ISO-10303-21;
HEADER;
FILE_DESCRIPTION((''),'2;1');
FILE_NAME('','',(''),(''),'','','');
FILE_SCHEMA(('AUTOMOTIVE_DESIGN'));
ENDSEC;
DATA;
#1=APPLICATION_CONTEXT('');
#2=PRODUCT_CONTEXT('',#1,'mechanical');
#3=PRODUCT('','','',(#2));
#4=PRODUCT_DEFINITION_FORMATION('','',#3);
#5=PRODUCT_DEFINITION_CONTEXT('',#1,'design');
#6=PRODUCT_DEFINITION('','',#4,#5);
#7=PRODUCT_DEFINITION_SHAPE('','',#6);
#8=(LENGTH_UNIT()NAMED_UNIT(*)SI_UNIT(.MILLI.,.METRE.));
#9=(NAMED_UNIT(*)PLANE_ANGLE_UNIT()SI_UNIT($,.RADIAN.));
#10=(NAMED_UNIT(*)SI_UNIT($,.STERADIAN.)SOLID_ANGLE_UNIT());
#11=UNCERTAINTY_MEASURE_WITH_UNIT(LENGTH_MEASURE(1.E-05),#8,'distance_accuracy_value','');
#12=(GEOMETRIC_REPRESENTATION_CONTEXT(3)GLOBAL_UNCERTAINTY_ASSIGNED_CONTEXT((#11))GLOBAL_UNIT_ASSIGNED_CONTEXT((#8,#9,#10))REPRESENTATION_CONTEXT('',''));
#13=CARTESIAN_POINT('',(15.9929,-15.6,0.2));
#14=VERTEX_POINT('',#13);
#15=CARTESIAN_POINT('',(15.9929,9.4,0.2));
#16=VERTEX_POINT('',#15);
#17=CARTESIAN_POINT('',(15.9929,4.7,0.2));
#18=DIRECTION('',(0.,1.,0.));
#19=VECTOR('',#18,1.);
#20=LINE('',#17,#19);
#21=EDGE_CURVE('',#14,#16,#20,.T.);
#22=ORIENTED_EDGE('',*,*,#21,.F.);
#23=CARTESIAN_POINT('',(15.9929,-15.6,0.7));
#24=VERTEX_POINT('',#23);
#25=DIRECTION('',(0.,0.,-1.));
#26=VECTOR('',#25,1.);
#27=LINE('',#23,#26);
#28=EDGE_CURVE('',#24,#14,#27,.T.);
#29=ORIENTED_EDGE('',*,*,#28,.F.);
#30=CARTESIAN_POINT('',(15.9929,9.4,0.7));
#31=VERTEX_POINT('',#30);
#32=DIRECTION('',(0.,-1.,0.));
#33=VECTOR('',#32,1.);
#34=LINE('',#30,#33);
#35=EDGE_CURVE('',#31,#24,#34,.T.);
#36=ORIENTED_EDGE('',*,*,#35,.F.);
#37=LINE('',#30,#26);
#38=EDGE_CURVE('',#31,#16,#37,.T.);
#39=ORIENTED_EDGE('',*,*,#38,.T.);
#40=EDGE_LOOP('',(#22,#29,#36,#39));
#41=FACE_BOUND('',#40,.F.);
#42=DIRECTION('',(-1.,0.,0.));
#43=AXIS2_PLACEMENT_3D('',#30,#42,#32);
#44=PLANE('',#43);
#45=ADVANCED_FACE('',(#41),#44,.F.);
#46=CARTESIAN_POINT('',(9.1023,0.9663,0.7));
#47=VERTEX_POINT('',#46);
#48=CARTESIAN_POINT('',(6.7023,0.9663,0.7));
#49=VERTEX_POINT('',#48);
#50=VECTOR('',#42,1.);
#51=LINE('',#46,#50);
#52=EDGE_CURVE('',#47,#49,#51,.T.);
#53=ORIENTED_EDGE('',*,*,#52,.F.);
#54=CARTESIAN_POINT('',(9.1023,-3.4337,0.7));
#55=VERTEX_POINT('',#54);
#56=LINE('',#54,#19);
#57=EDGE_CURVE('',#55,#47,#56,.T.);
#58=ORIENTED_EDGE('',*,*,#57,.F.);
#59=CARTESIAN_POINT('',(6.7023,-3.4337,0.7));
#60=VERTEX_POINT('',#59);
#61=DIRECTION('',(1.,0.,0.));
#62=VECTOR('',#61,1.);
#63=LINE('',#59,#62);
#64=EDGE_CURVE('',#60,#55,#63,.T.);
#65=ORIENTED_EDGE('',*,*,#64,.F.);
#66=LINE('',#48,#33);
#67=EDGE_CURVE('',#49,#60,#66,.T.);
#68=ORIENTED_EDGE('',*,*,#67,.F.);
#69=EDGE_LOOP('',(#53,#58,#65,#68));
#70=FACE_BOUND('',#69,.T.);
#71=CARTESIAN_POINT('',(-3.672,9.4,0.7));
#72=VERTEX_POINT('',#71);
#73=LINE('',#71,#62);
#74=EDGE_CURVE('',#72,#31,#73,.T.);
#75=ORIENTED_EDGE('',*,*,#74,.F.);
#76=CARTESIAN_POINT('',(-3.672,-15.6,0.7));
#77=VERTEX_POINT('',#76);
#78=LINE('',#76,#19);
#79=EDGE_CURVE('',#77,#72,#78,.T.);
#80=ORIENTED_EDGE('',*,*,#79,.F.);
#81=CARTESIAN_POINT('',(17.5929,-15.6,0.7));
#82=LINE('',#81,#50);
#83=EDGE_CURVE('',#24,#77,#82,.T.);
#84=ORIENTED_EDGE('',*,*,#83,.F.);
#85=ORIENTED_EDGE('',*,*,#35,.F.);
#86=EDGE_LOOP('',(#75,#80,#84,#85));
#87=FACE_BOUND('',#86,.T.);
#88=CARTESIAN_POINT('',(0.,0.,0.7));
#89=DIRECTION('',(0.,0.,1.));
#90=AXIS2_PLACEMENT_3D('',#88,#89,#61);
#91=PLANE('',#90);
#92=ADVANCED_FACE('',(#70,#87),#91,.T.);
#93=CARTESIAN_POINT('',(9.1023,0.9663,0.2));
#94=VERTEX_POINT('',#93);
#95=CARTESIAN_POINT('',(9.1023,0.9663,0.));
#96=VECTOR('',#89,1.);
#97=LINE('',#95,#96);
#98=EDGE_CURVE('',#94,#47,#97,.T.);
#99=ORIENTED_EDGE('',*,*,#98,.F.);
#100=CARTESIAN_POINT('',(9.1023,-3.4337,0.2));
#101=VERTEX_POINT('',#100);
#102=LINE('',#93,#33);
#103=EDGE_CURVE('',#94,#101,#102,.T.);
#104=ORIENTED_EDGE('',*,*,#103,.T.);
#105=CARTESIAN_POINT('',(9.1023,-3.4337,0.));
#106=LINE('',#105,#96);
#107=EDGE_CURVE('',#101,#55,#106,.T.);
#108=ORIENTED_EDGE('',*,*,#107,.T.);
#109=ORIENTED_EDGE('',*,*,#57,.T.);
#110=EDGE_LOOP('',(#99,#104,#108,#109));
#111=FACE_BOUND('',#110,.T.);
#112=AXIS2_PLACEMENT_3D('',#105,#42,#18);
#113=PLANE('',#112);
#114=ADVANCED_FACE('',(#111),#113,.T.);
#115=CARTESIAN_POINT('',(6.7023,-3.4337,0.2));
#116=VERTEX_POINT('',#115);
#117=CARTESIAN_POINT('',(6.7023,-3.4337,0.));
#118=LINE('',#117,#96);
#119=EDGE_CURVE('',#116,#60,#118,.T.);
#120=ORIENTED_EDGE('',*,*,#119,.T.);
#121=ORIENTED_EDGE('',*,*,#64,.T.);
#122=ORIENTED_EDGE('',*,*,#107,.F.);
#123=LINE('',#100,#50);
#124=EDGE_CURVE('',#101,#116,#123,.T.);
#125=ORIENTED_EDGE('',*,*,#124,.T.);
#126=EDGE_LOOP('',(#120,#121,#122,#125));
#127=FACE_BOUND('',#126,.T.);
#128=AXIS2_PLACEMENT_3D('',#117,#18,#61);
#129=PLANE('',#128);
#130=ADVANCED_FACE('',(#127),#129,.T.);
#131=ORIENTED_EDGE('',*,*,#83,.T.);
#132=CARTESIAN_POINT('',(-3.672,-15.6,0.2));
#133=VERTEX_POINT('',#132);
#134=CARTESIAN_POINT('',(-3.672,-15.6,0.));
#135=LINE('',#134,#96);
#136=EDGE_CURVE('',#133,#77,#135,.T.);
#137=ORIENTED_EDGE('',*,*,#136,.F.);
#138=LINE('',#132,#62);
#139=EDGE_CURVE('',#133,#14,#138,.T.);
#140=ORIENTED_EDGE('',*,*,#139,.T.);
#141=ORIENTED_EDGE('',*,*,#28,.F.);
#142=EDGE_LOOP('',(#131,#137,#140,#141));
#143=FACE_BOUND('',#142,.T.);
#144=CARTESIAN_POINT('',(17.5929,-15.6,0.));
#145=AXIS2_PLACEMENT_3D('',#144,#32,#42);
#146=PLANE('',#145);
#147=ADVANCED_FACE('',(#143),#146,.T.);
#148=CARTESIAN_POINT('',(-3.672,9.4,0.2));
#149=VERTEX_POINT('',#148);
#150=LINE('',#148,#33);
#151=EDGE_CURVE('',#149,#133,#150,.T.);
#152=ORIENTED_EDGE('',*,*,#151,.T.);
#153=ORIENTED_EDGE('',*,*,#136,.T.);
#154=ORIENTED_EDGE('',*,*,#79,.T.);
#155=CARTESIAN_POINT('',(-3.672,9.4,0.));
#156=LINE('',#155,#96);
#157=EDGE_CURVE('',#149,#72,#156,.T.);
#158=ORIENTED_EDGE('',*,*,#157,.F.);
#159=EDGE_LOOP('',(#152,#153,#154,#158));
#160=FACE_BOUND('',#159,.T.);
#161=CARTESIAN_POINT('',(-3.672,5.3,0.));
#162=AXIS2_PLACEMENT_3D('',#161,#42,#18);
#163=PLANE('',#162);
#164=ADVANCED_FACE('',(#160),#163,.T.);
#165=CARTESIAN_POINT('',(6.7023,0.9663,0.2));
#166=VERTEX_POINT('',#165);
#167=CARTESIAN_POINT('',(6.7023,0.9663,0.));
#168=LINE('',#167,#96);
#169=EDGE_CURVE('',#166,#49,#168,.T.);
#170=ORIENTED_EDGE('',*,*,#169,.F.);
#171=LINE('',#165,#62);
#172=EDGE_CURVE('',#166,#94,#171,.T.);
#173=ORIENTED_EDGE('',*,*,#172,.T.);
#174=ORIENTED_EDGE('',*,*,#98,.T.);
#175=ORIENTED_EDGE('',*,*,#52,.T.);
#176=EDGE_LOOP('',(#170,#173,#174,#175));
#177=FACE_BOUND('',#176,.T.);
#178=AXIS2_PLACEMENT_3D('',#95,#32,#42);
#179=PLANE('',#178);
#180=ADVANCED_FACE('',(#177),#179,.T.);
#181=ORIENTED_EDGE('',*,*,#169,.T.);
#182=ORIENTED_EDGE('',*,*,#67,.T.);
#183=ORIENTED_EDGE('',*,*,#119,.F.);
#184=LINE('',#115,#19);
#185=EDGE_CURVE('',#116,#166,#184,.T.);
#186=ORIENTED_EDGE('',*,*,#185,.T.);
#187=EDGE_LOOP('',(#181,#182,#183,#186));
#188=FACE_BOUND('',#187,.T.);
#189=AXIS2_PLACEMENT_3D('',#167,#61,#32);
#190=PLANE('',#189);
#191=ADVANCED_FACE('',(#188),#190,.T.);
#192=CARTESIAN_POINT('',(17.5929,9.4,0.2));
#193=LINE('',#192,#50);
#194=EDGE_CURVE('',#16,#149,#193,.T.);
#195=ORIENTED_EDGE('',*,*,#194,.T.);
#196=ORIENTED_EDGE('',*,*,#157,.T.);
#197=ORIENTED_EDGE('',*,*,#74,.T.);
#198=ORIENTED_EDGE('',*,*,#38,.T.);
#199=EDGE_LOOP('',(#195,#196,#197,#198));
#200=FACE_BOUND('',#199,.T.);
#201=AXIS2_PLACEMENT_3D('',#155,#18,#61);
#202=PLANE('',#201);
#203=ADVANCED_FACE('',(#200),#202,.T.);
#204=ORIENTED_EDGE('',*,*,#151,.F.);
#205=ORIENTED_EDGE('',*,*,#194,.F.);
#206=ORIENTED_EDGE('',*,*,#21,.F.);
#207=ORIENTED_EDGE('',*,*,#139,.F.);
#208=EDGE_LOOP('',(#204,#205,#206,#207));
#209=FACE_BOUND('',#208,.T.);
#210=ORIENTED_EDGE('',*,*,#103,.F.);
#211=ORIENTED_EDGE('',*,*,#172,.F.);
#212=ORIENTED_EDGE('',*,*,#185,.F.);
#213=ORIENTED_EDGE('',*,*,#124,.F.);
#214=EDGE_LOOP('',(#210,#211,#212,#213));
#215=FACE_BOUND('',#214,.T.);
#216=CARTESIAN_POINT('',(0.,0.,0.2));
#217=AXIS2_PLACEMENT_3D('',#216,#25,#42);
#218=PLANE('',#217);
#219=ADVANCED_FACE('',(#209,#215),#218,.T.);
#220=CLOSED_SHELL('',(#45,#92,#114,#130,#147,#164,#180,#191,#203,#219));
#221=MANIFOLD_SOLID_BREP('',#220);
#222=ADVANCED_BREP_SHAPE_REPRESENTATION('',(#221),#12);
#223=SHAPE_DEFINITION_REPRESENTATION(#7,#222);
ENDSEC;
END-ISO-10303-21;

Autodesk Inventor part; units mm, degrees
ref_plane "YZ Plane" through (0, 0, 0) normal (1, 0, 0) x (0, 1, 0)
ref_plane "XZ Plane" through (0, 0, 0) normal (0, 1, 0) x (-1, 0, 0)
ref_plane "XY Plane" through (0, 0, 0) normal (0, 0, 1) x (1, 0, 0)
sketch "Sketch1" plane through (0, 0, 0) normal (0, 0, 1) x (1, 0, 0)
  line L0 (9.1023, -3.4337) -> (9.1023, 0.9663) projected
  line L1 (6.7023, -3.4337) -> (9.1023, -3.4337) projected
  line L2 (6.7023, 0.9663) -> (6.7023, -3.4337) projected
  line L3 (9.1023, 0.9663) -> (6.7023, 0.9663) projected
  line L4 (-3.672, 5.3) -> (-3.672, 9.4)
  line L5 (17.5929, 9.4) -> (17.5929, -15.6) projected
  line L6 (17.5929, -15.6) -> (-3.672, -15.6)
  line L7 (-3.672, -15.6) -> (-3.672, 9.4)
  line L8 (-3.672, 9.4) -> (17.5929, 9.4)
  line L9 (17.5929, 9.4) -> (17.5929, -15.6)
  point P0 (0, 0)
extrude "Extrusion1" add sketch "Sketch1" along normal blind 0.7
sketch "Sketch2" plane through (0, 0, 0) normal (0, 0, -1) x (-1, 0, 0)
  line L0 (-17.5929, -15.6) -> (-17.5929, 9.4) projected
  line L1 (3.672, -15.6) -> (-17.5929, -15.6) projected
  line L2 (3.672, 9.4) -> (3.672, -15.6) projected
  line L3 (-17.5929, 9.4) -> (3.672, 9.4) projected
  line L4 (-9.1023, -3.4337) -> (-6.7023, -3.4337) projected
  line L5 (-9.1023, 0.9663) -> (-9.1023, -3.4337) projected
  line L6 (-6.7023, 0.9663) -> (-9.1023, 0.9663) projected
  line L7 (-6.7023, -3.4337) -> (-6.7023, 0.9663) projected
  point P0 (0, 0)
extrude "Extrusion2" cut sketch "Sketch2" against normal blind 0.2
sketch "Sketch3" plane through (0, 0, 0.7) normal (0, 0, 1) x (1, 0, 0)
  line L0 (15.9929, 9.4) -> (15.9929, -15.6) projected
  line L1 (15.9929, -15.6) -> (17.5929, -15.6) projected
  line L2 (17.5929, 9.4) -> (17.5929, -15.6) projected
  line L3 (15.9929, 9.4) -> (17.5929, 9.4) projected
  point P0 (0, 0)
extrude "Extrusion3" cut sketch "Sketch3" against normal through all
properties part number "przod"
